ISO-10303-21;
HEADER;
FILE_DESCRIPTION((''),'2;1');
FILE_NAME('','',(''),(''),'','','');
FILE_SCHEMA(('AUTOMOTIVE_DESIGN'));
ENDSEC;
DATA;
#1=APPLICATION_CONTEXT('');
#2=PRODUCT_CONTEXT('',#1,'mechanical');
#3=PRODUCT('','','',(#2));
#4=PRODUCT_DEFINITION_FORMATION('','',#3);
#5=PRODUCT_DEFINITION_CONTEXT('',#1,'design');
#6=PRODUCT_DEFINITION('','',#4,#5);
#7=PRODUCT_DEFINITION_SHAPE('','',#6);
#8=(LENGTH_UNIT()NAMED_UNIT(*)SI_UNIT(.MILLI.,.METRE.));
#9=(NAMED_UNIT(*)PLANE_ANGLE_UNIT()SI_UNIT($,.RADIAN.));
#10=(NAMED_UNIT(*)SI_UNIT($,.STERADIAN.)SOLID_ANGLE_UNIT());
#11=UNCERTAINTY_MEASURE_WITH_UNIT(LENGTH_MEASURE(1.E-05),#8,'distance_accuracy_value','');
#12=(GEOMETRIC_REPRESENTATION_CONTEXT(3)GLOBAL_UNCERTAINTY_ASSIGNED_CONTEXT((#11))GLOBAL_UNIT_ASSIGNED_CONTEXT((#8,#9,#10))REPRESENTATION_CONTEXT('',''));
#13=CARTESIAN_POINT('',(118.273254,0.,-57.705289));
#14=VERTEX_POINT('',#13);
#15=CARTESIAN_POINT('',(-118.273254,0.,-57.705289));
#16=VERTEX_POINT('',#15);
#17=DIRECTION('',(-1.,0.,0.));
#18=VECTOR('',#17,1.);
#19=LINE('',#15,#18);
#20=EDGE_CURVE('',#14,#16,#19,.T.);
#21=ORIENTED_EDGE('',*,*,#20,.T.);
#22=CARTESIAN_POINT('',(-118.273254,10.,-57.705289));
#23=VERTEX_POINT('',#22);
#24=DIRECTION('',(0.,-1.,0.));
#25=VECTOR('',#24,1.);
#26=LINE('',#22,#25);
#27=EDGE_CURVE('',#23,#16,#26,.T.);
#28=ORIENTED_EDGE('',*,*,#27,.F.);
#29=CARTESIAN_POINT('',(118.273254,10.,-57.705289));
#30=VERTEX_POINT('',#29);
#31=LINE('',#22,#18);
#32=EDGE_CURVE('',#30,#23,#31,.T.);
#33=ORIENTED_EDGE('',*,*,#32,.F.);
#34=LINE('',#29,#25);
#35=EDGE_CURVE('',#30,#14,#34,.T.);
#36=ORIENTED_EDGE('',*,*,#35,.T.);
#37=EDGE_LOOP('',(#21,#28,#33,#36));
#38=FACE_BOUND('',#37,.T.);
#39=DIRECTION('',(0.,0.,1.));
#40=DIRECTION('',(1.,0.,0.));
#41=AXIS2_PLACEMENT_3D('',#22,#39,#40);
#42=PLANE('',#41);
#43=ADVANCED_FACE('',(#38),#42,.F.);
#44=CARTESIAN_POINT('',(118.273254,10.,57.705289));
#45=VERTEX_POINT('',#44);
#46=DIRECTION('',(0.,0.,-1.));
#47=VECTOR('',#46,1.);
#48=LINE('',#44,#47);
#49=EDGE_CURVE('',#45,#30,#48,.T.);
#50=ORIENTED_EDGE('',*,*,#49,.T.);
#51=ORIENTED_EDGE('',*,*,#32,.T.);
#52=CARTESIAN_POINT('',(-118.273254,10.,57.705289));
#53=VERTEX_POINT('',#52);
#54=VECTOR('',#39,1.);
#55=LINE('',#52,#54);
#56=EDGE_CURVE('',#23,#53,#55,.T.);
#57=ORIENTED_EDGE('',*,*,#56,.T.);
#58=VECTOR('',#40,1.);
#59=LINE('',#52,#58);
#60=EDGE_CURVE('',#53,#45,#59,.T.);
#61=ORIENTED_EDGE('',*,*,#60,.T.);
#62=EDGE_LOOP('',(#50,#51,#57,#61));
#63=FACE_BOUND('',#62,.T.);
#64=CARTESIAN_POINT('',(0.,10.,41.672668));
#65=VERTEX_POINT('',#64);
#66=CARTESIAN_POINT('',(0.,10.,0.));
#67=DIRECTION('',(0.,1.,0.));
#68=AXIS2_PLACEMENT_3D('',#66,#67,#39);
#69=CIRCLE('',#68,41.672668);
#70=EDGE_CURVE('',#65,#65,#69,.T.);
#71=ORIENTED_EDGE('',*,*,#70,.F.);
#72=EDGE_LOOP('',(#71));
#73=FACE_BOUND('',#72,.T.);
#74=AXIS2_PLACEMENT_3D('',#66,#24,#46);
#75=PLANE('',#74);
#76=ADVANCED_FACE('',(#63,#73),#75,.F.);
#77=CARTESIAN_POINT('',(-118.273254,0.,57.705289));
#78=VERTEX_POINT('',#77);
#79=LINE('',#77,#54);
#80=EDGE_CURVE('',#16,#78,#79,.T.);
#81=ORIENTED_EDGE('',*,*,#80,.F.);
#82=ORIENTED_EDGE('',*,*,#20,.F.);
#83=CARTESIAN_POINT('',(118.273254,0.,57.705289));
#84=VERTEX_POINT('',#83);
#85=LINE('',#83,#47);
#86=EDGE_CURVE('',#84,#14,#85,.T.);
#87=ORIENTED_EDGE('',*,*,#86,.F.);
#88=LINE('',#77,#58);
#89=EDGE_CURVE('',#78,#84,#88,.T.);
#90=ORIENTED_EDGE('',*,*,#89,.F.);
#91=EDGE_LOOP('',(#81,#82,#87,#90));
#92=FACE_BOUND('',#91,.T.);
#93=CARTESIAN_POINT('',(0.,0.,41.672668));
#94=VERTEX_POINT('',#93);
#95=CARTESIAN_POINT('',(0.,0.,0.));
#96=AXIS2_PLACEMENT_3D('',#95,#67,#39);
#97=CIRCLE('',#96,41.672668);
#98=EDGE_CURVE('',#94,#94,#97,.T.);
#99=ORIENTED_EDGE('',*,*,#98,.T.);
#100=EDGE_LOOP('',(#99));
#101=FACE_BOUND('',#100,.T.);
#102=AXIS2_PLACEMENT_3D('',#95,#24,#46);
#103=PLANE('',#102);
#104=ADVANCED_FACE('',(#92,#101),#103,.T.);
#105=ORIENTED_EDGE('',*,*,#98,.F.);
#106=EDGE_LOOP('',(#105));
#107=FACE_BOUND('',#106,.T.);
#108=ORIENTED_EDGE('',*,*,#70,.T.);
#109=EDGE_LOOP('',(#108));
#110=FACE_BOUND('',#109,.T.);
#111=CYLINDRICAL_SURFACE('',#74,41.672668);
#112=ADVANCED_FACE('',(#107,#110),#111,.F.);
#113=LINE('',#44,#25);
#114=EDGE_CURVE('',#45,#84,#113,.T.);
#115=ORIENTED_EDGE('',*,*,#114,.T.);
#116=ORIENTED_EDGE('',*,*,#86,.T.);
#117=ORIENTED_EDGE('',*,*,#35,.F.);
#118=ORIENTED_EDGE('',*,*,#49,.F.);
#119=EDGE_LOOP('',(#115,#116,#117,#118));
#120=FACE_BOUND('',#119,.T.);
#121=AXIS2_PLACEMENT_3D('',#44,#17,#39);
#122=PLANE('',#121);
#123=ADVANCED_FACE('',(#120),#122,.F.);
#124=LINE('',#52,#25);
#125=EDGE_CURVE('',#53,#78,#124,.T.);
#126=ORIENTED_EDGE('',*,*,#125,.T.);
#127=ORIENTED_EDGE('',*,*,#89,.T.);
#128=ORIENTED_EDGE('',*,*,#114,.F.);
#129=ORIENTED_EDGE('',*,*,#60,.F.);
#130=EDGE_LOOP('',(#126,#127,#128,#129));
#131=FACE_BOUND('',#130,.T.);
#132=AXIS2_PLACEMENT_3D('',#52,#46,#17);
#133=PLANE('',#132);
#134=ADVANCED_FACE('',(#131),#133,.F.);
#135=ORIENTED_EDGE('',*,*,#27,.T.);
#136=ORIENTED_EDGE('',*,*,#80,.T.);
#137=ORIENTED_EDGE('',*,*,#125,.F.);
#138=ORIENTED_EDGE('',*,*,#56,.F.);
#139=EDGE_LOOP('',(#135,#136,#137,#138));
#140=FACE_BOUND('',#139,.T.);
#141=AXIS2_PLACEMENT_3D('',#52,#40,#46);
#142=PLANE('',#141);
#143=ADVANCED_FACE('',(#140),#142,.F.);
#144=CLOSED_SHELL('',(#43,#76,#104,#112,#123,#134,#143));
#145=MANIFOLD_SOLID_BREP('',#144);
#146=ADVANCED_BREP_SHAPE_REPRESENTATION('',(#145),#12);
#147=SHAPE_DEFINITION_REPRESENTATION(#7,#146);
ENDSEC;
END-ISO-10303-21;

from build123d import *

# Parameters (mm, degrees)
SKETCH1_W           = 236.546508348
SKETCH1_H           = 115.41057828
SKETCH1_R           = 41.672667567
BOSS_EXTRUDE1_DEPTH = 10


with BuildPart() as part:
    # Sketch1 → Boss-Extrude1 (new body)
    with BuildSketch(Plane(origin=(0, 0, 0), x_dir=(1, 0, 0), z_dir=(0, 1, 0))):
        Rectangle(SKETCH1_W, SKETCH1_H)
        with Locations(Location((0, 0, 0), (0, 0, 270))):
            Circle(SKETCH1_R, mode=Mode.SUBTRACT)
    extrude(amount=BOSS_EXTRUDE1_DEPTH)


solid = part.part
